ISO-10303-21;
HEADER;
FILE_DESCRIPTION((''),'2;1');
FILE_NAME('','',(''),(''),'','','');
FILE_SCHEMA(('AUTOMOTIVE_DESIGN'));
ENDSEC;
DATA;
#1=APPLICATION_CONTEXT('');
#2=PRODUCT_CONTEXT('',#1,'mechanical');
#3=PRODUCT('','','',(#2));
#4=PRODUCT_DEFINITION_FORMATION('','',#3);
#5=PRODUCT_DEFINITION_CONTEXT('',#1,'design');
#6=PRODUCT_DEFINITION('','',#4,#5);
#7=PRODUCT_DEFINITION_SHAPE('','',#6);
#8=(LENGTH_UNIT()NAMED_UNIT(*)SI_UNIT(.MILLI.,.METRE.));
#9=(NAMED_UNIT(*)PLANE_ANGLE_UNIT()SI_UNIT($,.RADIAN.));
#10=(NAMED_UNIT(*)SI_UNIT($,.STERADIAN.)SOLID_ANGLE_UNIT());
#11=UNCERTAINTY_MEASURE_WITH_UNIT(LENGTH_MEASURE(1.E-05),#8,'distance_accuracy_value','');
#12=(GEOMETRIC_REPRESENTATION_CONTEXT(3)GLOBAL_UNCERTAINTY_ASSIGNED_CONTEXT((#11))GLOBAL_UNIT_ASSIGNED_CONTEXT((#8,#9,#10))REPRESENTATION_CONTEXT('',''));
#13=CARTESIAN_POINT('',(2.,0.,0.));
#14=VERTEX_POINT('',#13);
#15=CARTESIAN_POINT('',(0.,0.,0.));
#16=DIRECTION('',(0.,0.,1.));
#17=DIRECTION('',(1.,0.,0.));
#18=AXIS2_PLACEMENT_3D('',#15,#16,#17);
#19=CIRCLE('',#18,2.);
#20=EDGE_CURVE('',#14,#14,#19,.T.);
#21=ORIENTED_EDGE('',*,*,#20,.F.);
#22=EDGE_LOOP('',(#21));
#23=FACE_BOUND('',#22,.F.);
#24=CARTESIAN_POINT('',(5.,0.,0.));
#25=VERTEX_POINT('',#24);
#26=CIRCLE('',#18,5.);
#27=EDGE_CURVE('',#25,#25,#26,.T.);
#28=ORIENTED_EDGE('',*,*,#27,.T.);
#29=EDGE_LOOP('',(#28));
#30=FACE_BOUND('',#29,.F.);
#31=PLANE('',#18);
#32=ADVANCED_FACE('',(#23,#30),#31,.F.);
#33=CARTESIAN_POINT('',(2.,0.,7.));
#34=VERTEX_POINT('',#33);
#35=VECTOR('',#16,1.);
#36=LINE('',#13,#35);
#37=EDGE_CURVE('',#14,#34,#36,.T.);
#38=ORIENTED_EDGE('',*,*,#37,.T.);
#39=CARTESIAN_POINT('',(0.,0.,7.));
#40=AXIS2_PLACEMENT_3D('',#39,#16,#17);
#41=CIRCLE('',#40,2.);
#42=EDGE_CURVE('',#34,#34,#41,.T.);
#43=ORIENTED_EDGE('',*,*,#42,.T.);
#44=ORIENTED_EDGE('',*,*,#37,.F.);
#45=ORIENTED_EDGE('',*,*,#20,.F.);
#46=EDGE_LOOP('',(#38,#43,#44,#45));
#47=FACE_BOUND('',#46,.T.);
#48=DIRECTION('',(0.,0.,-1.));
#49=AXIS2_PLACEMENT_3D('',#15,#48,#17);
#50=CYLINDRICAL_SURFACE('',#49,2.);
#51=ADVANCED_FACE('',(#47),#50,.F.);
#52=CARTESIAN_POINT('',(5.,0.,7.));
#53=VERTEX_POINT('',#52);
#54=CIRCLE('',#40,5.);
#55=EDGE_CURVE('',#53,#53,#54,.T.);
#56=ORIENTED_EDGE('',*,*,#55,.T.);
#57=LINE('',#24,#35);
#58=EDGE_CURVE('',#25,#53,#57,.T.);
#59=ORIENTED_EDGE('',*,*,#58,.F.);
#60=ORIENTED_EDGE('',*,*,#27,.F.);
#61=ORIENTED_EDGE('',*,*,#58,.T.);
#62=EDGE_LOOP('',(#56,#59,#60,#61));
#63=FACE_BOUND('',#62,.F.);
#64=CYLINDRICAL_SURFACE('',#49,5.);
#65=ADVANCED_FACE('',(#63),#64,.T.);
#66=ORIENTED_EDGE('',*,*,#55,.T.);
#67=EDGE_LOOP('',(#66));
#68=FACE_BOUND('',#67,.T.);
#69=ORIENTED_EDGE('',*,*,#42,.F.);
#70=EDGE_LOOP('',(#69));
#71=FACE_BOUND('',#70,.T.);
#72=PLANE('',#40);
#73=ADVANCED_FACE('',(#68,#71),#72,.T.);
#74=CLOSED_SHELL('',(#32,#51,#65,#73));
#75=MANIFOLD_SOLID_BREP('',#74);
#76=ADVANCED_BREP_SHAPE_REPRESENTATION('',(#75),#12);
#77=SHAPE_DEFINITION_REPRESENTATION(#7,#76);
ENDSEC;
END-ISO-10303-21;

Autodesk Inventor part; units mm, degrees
ref_plane "YZ Plane" through (0, 0, 0) normal (1, 0, 0) x (0, 1, 0)
ref_plane "XZ Plane" through (0, 0, 0) normal (0, 1, 0) x (-1, 0, 0)
ref_plane "XY Plane" through (0, 0, 0) normal (0, 0, 1) x (1, 0, 0)
sketch "Sketch1" plane through (0, 0, 0) normal (0, 0, 1) x (1, 0, 0)
  circle A0 centre (0, 0) radius 2
  circle A1 centre (0, 0) radius 5
  dimension "d0" = 4
  dimension "d2" = 10
extrude "Extrusion1" add sketch "Sketch1" along normal blind 7
properties part number "M4Spacer"
